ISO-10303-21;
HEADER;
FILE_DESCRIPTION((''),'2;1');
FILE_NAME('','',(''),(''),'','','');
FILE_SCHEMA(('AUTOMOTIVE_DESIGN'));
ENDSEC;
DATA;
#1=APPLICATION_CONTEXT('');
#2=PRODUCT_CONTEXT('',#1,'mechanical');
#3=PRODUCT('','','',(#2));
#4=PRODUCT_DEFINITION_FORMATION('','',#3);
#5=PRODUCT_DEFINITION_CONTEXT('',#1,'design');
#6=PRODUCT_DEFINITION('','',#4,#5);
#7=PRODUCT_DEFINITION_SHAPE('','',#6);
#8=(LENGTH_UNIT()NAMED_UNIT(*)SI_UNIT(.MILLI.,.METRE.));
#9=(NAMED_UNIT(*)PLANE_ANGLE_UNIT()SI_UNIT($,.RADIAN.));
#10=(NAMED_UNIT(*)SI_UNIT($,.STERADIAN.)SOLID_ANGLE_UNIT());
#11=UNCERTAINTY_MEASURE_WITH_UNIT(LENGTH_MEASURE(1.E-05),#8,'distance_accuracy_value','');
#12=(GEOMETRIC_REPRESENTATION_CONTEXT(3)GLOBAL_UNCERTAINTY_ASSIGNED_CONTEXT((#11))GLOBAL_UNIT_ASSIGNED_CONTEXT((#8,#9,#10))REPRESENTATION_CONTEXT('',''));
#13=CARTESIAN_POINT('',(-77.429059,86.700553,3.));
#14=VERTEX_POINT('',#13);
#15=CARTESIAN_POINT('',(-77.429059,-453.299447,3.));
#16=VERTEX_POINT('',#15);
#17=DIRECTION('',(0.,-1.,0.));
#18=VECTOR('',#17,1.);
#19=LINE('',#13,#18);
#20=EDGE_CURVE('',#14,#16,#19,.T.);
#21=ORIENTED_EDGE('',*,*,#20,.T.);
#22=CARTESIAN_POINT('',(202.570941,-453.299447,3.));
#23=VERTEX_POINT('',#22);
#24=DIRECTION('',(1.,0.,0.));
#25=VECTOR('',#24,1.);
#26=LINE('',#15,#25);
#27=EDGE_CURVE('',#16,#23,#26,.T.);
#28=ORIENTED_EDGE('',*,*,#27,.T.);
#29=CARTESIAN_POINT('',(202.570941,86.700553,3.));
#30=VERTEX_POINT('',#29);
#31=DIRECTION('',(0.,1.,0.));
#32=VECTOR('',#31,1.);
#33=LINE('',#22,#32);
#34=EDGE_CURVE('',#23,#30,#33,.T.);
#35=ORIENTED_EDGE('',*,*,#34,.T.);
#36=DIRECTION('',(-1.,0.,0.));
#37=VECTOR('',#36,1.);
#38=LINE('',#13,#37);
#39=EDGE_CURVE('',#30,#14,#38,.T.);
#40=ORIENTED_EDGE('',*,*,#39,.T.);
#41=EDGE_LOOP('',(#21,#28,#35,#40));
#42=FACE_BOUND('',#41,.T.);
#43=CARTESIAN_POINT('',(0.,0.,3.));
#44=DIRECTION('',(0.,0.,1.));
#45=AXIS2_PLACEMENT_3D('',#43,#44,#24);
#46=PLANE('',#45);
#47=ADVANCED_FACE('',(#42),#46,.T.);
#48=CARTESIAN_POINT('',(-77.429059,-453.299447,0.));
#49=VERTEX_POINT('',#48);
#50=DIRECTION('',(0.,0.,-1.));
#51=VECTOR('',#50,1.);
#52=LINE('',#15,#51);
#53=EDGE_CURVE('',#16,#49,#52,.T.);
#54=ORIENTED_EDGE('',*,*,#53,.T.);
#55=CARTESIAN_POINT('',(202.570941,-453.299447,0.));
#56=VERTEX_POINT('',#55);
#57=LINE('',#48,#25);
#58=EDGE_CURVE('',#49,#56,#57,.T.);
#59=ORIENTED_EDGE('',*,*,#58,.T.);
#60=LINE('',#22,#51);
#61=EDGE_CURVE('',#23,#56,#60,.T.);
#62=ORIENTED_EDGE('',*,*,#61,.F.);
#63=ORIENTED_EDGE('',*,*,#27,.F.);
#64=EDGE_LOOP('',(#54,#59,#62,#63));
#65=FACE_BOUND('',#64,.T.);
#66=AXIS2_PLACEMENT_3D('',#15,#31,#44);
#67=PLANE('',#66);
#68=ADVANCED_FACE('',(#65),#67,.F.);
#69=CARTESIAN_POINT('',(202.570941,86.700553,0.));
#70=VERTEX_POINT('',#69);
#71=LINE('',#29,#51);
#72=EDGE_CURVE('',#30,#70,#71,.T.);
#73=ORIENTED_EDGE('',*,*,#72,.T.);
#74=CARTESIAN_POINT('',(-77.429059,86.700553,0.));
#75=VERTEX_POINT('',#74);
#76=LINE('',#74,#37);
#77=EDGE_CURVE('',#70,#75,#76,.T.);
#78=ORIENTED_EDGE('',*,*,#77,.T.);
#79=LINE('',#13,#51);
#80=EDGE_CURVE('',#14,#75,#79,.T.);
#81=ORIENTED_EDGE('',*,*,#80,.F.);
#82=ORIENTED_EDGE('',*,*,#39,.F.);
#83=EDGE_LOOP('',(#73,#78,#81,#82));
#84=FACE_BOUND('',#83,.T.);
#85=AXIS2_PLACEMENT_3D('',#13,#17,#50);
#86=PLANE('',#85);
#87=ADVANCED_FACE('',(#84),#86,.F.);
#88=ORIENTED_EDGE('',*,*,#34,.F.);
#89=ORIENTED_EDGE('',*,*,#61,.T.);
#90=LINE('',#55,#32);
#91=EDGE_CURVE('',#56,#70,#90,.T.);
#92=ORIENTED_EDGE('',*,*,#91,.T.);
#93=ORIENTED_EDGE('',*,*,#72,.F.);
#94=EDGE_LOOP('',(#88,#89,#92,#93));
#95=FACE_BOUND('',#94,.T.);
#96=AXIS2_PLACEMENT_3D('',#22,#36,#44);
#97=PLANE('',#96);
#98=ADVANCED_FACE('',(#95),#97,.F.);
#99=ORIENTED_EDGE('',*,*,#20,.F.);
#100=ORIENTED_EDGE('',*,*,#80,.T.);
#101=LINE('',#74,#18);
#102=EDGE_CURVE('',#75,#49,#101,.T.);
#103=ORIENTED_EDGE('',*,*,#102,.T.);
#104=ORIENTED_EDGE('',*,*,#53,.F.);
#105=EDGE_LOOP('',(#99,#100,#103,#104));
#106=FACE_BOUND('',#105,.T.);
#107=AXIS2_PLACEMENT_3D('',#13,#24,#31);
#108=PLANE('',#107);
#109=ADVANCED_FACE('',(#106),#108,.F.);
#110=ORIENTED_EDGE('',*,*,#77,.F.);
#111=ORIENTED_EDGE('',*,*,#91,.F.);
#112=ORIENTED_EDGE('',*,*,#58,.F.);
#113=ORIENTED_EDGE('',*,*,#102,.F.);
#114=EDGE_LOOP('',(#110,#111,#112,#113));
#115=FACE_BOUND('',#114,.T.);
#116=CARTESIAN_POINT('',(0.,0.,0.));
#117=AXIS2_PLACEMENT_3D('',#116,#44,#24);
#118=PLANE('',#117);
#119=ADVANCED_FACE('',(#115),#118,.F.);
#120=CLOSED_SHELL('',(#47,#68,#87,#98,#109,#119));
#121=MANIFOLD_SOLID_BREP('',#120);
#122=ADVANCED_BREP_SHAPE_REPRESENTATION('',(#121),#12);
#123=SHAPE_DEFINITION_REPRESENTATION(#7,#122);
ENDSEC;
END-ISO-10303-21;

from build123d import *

# Parameters (mm, degrees)
ESQUISSE1_W        = 280
ESQUISSE1_H        = 540
BOSS_EXTRU_1_DEPTH = 3


with BuildPart() as part:
    # Esquisse1 → Boss.-Extru.1 (new body)
    with BuildSketch(Plane.XY):
        with Locations((62.570941439, -183.299446884)):
            Rectangle(ESQUISSE1_W, ESQUISSE1_H)
    extrude(amount=BOSS_EXTRU_1_DEPTH)


solid = part.part
